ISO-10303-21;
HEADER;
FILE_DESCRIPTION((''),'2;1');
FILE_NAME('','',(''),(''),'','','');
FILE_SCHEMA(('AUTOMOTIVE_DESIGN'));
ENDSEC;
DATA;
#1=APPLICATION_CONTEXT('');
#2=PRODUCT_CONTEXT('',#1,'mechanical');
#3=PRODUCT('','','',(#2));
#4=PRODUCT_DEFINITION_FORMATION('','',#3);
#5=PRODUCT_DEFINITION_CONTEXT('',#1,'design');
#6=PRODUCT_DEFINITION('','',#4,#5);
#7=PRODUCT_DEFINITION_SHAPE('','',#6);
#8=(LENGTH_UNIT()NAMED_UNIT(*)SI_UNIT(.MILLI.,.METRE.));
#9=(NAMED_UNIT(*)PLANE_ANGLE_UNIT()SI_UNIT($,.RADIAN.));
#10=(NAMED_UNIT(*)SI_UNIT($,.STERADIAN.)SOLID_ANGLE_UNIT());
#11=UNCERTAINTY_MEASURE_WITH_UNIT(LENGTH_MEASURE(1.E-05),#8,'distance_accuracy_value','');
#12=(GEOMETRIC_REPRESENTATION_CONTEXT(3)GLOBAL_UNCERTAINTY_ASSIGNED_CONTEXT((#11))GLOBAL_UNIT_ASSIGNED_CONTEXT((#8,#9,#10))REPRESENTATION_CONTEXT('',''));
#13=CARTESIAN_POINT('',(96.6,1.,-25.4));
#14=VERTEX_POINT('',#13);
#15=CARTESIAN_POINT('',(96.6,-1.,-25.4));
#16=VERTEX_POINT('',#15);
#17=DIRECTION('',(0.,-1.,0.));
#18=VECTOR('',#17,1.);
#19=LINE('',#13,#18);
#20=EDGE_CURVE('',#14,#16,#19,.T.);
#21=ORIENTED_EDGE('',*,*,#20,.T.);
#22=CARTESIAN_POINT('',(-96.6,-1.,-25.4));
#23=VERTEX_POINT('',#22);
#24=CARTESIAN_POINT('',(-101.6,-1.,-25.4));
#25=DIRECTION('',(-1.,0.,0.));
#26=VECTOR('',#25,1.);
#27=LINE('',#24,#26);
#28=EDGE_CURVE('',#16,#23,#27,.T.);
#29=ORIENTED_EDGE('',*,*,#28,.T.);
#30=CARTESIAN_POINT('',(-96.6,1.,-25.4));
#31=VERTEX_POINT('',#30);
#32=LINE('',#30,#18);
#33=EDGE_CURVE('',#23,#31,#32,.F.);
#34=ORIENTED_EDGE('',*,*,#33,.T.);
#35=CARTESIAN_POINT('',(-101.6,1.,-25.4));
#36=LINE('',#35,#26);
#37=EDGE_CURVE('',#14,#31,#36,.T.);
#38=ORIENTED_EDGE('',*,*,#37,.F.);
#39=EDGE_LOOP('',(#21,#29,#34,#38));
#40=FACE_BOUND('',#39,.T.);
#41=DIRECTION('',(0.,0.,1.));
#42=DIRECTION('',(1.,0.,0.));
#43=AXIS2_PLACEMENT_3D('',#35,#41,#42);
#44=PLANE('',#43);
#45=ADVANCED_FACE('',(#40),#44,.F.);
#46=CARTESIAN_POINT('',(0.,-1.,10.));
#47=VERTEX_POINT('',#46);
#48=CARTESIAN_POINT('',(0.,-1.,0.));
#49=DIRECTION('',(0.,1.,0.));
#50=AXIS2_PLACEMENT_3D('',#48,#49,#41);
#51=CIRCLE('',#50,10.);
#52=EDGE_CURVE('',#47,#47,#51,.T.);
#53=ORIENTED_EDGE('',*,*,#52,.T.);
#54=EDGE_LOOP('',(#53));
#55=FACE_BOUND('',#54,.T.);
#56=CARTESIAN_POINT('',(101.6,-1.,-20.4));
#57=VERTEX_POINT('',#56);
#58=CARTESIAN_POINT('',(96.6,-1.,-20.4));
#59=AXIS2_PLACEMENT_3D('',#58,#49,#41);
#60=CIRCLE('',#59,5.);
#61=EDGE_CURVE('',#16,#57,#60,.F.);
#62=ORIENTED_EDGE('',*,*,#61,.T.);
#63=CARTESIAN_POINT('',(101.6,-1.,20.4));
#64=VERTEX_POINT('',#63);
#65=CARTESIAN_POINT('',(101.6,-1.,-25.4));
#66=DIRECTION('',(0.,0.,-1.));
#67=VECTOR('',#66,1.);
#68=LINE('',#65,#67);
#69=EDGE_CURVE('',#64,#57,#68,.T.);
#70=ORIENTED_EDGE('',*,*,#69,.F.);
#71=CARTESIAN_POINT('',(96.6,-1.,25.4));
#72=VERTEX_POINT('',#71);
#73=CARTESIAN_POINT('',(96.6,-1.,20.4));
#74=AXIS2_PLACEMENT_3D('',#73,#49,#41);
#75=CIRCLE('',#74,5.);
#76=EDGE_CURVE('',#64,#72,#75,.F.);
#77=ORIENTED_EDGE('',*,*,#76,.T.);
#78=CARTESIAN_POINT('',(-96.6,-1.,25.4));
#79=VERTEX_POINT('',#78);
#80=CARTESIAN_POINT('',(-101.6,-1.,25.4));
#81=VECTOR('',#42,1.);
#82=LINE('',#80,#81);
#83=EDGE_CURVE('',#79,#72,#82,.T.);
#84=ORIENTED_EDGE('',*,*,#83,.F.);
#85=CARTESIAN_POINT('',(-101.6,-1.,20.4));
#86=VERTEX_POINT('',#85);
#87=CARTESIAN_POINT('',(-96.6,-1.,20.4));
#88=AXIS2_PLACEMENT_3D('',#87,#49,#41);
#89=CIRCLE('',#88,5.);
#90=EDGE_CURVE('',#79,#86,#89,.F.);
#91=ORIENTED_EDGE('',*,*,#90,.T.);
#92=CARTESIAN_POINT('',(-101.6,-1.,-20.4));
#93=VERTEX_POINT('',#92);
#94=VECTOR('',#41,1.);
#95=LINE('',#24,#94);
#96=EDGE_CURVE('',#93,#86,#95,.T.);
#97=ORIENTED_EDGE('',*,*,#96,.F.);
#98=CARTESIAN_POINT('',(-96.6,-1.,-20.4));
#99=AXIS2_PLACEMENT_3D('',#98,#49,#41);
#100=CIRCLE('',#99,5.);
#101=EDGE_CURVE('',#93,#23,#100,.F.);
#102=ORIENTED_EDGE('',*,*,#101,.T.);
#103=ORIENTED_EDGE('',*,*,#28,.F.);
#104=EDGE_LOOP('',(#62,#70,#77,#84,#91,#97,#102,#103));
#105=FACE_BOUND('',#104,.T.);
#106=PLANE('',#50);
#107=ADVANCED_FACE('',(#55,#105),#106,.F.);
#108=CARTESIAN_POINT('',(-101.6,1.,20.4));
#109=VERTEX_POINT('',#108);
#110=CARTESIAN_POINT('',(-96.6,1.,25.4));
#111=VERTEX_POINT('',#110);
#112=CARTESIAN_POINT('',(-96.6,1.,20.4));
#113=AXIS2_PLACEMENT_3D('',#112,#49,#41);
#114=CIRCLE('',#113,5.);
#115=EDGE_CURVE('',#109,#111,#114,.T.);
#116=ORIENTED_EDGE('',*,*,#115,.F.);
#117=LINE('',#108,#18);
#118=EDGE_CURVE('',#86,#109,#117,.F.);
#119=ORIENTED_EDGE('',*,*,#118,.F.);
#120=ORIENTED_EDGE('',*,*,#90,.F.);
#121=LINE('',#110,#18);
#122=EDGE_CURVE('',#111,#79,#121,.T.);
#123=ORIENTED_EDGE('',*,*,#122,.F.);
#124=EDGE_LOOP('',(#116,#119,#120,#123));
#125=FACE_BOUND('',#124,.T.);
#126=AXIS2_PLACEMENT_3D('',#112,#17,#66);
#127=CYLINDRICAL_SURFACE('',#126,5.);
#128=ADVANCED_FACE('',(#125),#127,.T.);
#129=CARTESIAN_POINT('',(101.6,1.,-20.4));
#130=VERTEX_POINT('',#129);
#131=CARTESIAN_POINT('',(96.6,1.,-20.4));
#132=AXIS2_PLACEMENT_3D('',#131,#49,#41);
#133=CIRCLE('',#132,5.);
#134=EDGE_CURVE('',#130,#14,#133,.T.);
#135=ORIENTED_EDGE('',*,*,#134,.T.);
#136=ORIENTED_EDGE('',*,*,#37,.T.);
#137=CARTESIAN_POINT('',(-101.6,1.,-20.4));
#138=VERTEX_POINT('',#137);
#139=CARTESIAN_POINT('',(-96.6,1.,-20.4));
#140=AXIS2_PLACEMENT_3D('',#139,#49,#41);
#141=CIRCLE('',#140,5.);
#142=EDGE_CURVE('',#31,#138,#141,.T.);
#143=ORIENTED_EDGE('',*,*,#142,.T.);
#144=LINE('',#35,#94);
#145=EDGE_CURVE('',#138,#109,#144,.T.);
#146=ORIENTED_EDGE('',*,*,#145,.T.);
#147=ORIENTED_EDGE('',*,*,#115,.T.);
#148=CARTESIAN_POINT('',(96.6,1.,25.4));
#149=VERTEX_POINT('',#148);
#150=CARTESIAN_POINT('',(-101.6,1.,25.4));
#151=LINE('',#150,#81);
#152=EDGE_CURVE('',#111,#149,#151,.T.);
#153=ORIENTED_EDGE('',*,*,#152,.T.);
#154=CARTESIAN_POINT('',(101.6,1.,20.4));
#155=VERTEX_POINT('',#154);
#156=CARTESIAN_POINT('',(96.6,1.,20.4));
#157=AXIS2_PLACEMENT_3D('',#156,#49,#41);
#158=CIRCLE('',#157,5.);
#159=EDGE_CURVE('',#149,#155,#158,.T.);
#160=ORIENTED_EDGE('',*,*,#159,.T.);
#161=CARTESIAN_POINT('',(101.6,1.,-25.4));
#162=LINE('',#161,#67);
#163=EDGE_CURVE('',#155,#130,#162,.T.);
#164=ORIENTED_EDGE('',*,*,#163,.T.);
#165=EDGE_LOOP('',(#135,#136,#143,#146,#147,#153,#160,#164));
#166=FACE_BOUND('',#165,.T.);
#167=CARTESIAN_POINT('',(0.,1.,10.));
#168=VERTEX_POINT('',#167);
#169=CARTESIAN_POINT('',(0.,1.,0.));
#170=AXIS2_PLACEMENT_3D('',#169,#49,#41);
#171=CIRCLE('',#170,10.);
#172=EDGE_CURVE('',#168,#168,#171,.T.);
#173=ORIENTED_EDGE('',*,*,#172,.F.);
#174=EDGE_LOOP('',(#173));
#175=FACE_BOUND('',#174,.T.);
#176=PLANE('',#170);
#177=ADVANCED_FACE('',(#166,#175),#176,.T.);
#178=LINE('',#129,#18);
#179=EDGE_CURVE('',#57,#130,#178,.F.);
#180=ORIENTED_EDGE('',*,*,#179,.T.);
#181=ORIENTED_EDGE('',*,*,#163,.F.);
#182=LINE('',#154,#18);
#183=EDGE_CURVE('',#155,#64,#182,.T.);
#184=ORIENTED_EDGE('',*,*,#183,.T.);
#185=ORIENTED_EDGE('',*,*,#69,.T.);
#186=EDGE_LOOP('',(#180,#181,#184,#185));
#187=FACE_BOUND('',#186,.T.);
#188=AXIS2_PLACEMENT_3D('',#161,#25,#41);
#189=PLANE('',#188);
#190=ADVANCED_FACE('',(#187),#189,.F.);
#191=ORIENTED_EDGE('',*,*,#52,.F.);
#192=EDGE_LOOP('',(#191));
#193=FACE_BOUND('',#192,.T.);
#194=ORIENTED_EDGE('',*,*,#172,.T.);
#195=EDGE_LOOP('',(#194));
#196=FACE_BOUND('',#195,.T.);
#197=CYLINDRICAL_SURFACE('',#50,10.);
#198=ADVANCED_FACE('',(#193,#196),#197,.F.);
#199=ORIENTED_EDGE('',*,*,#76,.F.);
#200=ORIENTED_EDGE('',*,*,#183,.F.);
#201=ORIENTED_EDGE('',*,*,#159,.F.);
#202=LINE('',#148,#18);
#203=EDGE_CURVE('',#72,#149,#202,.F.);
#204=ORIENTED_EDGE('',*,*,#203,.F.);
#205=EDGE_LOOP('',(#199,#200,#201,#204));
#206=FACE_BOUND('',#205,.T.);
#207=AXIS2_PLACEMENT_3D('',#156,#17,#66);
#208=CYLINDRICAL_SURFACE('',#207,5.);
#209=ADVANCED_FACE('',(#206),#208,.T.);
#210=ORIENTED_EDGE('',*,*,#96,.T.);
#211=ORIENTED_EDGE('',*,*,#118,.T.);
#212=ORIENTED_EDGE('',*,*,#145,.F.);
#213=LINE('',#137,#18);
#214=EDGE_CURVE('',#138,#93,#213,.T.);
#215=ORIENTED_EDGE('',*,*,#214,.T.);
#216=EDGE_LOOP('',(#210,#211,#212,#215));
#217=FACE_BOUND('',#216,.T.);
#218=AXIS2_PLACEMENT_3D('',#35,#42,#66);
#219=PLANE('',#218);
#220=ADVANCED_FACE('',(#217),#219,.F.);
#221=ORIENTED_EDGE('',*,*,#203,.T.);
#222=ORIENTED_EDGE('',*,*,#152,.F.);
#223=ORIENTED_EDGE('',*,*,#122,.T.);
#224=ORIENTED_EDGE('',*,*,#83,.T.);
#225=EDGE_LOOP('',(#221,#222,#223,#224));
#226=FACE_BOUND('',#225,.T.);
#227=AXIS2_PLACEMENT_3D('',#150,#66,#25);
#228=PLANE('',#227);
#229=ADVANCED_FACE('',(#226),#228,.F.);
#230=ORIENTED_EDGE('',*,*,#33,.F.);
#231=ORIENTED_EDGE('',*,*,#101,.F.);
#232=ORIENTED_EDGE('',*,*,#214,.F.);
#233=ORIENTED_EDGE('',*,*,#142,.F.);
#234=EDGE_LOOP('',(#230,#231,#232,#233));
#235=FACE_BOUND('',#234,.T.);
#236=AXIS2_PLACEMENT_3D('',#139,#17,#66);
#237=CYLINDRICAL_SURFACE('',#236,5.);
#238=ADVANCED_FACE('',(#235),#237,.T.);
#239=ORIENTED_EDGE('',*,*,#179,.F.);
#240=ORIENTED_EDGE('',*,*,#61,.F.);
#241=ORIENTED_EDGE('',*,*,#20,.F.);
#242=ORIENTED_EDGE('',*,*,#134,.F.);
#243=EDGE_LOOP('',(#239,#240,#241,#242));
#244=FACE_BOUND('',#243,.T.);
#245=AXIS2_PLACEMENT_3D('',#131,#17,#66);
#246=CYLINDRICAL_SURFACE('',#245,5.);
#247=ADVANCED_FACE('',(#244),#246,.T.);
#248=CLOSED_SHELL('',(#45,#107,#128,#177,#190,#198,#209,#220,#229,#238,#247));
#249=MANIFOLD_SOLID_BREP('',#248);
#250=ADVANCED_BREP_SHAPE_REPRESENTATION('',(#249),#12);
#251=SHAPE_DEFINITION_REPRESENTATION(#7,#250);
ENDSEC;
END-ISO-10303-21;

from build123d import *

# Parameters (mm, degrees)
SKETCH2_W               = 203.2
SKETCH2_H               = 50.8
BOSS_EXTRUDE1_DEPTH     = 1
FILLET1_R               = 5
CUT_EXTRUDE1_DEPTH      = 105.731657105
CUT_EXTRUDE1_DEPTH_BACK = 105.731657105
SKETCH3_R               = 10


with BuildPart() as part:
    # Sketch2 → Boss-Extrude1 (new, symmetric)
    with BuildSketch(Plane(origin=(0, 0, 0), x_dir=(1, 0, 0), z_dir=(0, 1, 0))):
        Rectangle(SKETCH2_W, SKETCH2_H)
    extrude(amount=BOSS_EXTRUDE1_DEPTH, both=True)

    # Fillet1
    fillet1_edges = [part.edges().sort_by_distance(p)[0] for p in [
        (101.6, 0, 25.4),
        (-101.6, 0, 25.4),
        (-101.6, 0, -25.4),
        (101.6, 0, -25.4),
    ]]
    fillet(fillet1_edges, radius=FILLET1_R)

    # Sketch3 → Cut-Extrude1 (cut, two sides: drawn at the far end of the back side and taken through both)
    with BuildSketch(Plane(origin=(0, 0, 0), x_dir=(1, 0, 0), z_dir=(0, 1, 0)).offset(-CUT_EXTRUDE1_DEPTH_BACK)):
        with Locations(Location((0, 0, 0), (0, 0, 270))):
            Circle(SKETCH3_R)
    extrude(amount=CUT_EXTRUDE1_DEPTH + CUT_EXTRUDE1_DEPTH_BACK, mode=Mode.SUBTRACT)


solid = part.part
